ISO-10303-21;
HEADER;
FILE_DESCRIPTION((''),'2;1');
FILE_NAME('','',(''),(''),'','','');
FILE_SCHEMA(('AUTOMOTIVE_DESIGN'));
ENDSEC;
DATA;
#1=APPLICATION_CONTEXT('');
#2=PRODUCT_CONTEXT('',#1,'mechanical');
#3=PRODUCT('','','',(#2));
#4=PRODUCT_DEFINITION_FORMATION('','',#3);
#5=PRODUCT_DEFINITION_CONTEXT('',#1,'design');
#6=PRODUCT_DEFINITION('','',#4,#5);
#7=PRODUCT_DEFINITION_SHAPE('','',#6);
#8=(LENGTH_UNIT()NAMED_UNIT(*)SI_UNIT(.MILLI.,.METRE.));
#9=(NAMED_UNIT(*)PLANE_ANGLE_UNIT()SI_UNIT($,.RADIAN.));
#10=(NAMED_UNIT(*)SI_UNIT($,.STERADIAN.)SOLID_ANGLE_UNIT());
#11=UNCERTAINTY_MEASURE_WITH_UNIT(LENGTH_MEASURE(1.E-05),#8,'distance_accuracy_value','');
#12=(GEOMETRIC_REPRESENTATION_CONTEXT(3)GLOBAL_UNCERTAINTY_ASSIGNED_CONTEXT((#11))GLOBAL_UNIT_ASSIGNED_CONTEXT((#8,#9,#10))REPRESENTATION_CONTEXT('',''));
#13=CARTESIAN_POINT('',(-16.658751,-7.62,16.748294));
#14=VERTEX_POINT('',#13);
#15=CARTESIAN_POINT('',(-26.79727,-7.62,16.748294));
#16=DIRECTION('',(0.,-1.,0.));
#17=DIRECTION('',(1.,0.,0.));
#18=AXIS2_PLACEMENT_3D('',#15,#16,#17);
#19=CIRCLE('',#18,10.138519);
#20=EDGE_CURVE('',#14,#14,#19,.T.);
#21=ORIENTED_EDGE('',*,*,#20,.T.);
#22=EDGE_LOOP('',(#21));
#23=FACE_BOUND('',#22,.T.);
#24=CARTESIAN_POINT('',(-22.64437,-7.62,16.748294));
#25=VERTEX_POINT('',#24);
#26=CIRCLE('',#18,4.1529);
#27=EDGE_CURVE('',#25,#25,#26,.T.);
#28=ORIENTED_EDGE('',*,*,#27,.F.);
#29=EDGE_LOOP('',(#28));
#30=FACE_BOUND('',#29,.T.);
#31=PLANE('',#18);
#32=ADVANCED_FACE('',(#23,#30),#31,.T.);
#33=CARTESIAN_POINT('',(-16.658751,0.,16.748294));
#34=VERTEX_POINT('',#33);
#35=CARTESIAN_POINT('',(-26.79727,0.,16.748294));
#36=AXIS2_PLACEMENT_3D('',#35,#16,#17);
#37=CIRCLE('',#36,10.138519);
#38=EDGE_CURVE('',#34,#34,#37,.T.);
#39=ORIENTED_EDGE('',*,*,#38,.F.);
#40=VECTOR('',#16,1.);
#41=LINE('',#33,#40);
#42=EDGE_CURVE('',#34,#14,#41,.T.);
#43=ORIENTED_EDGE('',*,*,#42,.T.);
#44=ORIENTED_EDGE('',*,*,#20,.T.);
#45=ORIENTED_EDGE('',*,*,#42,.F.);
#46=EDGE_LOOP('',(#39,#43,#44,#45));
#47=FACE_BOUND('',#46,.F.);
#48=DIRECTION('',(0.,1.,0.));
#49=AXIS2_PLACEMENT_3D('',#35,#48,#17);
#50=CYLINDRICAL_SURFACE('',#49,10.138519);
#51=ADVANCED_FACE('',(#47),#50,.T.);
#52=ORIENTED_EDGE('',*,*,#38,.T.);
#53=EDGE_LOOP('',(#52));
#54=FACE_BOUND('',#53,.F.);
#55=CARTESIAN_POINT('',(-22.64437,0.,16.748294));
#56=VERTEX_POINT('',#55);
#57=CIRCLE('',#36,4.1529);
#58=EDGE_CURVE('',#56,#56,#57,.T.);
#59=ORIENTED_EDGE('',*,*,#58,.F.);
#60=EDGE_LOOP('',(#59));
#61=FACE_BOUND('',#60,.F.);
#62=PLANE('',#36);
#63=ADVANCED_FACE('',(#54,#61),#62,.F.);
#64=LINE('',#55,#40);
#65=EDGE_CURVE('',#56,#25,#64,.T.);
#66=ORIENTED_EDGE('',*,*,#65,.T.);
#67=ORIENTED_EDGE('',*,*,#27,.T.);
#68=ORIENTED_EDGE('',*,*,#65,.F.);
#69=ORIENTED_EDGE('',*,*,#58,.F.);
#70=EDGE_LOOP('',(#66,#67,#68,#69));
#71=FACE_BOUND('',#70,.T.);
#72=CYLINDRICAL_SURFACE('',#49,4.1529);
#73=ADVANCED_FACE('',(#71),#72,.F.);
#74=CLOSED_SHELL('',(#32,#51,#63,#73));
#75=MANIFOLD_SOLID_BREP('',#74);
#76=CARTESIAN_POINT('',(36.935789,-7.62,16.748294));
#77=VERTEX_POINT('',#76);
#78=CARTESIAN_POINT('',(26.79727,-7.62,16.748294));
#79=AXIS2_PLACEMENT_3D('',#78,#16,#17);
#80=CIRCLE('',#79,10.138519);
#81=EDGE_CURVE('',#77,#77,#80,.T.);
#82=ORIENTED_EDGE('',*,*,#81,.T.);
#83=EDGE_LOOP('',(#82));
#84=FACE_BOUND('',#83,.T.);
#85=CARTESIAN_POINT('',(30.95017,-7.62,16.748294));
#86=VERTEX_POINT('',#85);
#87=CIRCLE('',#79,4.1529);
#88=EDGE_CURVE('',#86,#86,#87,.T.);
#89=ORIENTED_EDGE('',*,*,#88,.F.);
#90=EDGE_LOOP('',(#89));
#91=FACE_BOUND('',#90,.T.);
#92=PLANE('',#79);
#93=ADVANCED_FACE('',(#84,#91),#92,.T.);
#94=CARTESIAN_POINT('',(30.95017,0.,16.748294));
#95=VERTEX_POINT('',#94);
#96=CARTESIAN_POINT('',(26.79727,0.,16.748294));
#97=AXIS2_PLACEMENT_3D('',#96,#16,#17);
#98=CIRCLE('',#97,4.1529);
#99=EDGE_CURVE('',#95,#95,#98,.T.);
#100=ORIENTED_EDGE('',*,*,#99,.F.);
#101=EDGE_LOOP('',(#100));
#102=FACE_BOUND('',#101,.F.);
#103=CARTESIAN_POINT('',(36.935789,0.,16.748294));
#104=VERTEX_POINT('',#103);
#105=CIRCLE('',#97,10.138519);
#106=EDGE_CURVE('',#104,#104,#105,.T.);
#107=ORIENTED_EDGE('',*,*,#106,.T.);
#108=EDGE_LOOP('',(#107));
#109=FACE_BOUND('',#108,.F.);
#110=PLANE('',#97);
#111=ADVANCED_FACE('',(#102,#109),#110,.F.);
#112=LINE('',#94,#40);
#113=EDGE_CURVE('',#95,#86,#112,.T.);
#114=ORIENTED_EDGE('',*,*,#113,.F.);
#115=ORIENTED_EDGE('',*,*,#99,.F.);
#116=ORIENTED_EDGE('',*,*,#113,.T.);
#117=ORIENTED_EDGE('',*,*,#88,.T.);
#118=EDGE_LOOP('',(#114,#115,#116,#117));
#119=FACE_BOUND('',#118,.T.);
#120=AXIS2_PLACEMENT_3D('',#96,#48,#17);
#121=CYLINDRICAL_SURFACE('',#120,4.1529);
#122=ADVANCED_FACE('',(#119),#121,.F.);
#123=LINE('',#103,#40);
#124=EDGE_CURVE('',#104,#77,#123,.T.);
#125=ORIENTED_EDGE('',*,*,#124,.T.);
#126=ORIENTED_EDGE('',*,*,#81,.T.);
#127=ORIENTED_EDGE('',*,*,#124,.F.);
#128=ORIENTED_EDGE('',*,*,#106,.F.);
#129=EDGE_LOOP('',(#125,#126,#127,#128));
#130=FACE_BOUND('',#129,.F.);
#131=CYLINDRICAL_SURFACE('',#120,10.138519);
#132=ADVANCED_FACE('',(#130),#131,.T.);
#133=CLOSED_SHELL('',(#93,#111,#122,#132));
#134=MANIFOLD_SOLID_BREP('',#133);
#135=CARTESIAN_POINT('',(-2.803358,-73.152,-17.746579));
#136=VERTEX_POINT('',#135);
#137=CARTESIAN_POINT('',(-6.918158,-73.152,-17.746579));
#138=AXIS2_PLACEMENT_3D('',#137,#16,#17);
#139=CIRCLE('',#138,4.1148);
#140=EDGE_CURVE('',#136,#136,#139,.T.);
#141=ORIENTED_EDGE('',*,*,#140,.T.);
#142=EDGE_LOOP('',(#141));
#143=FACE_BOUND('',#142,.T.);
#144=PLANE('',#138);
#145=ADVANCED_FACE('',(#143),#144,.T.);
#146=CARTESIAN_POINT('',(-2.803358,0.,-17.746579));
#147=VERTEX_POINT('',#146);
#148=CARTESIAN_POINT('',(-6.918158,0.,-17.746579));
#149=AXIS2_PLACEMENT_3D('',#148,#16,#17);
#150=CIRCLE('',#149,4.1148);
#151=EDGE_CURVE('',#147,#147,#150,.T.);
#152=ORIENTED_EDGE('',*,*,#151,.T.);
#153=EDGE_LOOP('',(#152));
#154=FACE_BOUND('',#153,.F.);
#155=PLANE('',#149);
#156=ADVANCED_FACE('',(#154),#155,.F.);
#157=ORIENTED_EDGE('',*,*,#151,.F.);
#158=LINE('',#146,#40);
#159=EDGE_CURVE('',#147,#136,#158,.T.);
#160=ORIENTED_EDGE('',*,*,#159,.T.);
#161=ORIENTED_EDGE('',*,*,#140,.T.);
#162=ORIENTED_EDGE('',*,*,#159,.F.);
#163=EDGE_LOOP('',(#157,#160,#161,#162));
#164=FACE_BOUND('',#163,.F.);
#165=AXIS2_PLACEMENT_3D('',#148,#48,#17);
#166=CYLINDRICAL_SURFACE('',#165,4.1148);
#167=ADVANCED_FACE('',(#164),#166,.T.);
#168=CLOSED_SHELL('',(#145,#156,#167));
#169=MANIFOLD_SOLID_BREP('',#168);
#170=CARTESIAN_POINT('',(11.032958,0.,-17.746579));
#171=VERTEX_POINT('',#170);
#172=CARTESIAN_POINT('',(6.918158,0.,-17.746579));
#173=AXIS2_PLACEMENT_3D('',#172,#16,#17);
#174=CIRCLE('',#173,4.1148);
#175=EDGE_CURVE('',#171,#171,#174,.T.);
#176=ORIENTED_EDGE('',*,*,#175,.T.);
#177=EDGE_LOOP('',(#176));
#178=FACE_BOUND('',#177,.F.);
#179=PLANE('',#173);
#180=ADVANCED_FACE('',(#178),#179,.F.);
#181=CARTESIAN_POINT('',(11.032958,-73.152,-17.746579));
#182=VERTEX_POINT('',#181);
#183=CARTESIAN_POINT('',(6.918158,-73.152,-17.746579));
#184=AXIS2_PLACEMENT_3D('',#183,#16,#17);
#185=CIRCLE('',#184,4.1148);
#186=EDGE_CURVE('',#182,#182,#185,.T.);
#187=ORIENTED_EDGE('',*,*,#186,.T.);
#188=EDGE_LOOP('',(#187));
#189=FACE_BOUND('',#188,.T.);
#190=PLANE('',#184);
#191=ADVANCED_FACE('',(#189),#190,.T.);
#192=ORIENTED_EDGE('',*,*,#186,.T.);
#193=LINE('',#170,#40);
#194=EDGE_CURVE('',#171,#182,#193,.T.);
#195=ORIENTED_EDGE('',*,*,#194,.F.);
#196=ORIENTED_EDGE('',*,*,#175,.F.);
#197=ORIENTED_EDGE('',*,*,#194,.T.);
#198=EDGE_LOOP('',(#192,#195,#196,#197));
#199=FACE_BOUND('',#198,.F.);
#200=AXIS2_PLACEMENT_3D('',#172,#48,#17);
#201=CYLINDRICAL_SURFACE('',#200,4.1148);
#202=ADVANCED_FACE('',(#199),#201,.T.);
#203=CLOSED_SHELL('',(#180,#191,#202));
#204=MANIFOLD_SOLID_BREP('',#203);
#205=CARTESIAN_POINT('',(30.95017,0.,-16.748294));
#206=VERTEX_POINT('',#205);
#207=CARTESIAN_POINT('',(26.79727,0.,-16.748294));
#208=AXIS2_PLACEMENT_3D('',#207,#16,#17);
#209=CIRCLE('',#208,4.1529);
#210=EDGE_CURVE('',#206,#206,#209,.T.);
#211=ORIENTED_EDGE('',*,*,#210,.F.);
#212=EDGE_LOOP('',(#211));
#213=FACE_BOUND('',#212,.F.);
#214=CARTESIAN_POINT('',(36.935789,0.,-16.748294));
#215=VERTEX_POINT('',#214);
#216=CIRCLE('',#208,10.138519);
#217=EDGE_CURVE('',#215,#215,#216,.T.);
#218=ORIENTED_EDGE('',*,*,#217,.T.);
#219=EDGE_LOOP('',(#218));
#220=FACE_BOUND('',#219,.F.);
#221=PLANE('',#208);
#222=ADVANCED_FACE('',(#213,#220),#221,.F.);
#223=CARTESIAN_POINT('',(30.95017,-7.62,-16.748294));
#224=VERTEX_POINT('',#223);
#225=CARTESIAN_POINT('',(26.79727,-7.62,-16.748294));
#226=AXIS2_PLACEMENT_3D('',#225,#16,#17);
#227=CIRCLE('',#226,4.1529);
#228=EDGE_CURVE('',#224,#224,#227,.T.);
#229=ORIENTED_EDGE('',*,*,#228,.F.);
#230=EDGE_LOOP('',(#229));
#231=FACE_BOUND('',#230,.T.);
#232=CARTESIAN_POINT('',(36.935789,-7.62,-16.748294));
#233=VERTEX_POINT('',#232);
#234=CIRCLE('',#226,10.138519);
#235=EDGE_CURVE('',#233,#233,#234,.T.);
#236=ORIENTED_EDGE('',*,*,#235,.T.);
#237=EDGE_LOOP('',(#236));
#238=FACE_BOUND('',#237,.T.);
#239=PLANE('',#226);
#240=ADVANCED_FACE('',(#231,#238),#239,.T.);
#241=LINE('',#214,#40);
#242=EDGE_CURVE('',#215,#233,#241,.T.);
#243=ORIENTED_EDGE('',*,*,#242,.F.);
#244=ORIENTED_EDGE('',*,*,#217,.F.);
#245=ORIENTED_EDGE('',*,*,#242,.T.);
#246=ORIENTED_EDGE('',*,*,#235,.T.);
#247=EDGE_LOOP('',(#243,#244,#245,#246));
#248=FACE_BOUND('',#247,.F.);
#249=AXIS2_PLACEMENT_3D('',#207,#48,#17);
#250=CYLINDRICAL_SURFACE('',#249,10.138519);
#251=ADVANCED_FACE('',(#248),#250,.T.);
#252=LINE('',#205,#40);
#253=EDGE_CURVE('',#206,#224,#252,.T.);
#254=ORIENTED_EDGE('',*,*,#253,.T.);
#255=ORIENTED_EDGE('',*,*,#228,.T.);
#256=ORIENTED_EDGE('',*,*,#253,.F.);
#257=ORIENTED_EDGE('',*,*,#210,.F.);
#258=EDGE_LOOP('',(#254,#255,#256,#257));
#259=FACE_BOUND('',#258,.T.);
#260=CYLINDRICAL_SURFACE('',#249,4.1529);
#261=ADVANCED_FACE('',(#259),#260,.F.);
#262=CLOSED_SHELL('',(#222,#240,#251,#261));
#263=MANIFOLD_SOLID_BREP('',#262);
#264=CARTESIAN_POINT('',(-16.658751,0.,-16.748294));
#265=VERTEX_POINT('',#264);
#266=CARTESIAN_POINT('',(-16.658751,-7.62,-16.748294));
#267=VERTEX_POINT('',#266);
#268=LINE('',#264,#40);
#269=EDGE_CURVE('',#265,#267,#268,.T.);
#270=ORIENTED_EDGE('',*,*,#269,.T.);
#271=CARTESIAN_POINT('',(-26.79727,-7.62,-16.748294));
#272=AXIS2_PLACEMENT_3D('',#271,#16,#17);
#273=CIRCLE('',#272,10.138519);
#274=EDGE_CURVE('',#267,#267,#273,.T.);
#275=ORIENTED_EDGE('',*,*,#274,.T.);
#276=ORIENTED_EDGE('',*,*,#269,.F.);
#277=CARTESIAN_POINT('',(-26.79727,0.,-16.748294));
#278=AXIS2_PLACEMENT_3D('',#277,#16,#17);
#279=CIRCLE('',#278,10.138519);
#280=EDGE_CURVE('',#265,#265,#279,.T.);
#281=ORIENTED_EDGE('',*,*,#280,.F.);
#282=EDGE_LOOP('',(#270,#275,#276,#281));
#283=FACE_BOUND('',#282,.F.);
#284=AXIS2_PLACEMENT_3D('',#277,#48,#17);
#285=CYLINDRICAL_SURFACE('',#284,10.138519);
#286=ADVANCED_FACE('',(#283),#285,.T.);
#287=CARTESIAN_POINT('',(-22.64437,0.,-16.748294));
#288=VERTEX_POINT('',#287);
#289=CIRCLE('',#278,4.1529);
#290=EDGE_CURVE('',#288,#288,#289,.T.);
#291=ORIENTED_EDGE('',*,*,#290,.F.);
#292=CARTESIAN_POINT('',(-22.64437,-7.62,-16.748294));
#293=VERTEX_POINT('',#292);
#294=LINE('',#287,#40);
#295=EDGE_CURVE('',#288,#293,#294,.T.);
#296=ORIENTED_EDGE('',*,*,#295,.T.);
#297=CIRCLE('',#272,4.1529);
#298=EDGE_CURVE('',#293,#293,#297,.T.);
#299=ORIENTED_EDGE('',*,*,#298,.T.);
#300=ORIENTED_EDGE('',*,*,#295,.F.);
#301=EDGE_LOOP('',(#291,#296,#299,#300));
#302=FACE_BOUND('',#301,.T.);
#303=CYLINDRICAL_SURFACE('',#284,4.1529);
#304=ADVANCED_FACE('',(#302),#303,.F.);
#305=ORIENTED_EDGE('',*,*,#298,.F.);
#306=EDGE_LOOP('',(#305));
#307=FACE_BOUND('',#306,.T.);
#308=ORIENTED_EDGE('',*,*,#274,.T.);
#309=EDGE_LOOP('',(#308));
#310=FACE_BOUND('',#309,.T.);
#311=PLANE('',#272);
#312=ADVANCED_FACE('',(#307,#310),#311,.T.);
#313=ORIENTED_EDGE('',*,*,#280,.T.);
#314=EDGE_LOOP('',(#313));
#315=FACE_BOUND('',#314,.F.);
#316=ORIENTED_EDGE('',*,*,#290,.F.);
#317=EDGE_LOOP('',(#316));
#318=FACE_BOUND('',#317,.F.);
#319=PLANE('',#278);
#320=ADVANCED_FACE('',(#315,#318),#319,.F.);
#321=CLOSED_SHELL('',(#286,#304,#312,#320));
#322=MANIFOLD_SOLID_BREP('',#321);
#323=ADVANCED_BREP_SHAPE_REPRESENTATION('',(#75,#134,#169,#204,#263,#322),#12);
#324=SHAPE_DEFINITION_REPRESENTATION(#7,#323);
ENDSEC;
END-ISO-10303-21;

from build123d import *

# Parameters (mm, degrees)
F0_R     = 4.1148
F1_DEPTH = 73.152
F2_R     = 10.138519
F2_R_2   = 4.1529
F3_DEPTH = 7.62


with BuildPart() as f1:
    # F0 (on Front) → F1 (new body)
    with BuildSketch(Plane.XZ):
        with Locations((-6.918158, -17.746579)):
            Circle(F0_R)
        with Locations((6.918158, -17.746579)):
            Circle(F0_R)
    extrude(amount=F1_DEPTH)


with BuildPart() as f3:
    # F2 (on Front) → F3 (new body)
    with BuildSketch(Plane.XZ):
        with Locations((-26.79727, -16.748294)):
            Circle(F2_R)
        with Locations((-26.79727, -16.748294)):
            Circle(F2_R_2, mode=Mode.SUBTRACT)
        with Locations((26.79727, -16.748294)):
            Circle(F2_R)
        with Locations((26.79727, -16.748294)):
            Circle(F2_R_2, mode=Mode.SUBTRACT)
        with Locations((-26.79727, 16.748294)):
            Circle(F2_R)
        with Locations((-26.79727, 16.748294)):
            Circle(F2_R_2, mode=Mode.SUBTRACT)
        with Locations((26.79727, 16.748294)):
            Circle(F2_R)
        with Locations((26.79727, 16.748294)):
            Circle(F2_R_2, mode=Mode.SUBTRACT)
    extrude(amount=F3_DEPTH)


solid = Compound([f1.part, f3.part])
